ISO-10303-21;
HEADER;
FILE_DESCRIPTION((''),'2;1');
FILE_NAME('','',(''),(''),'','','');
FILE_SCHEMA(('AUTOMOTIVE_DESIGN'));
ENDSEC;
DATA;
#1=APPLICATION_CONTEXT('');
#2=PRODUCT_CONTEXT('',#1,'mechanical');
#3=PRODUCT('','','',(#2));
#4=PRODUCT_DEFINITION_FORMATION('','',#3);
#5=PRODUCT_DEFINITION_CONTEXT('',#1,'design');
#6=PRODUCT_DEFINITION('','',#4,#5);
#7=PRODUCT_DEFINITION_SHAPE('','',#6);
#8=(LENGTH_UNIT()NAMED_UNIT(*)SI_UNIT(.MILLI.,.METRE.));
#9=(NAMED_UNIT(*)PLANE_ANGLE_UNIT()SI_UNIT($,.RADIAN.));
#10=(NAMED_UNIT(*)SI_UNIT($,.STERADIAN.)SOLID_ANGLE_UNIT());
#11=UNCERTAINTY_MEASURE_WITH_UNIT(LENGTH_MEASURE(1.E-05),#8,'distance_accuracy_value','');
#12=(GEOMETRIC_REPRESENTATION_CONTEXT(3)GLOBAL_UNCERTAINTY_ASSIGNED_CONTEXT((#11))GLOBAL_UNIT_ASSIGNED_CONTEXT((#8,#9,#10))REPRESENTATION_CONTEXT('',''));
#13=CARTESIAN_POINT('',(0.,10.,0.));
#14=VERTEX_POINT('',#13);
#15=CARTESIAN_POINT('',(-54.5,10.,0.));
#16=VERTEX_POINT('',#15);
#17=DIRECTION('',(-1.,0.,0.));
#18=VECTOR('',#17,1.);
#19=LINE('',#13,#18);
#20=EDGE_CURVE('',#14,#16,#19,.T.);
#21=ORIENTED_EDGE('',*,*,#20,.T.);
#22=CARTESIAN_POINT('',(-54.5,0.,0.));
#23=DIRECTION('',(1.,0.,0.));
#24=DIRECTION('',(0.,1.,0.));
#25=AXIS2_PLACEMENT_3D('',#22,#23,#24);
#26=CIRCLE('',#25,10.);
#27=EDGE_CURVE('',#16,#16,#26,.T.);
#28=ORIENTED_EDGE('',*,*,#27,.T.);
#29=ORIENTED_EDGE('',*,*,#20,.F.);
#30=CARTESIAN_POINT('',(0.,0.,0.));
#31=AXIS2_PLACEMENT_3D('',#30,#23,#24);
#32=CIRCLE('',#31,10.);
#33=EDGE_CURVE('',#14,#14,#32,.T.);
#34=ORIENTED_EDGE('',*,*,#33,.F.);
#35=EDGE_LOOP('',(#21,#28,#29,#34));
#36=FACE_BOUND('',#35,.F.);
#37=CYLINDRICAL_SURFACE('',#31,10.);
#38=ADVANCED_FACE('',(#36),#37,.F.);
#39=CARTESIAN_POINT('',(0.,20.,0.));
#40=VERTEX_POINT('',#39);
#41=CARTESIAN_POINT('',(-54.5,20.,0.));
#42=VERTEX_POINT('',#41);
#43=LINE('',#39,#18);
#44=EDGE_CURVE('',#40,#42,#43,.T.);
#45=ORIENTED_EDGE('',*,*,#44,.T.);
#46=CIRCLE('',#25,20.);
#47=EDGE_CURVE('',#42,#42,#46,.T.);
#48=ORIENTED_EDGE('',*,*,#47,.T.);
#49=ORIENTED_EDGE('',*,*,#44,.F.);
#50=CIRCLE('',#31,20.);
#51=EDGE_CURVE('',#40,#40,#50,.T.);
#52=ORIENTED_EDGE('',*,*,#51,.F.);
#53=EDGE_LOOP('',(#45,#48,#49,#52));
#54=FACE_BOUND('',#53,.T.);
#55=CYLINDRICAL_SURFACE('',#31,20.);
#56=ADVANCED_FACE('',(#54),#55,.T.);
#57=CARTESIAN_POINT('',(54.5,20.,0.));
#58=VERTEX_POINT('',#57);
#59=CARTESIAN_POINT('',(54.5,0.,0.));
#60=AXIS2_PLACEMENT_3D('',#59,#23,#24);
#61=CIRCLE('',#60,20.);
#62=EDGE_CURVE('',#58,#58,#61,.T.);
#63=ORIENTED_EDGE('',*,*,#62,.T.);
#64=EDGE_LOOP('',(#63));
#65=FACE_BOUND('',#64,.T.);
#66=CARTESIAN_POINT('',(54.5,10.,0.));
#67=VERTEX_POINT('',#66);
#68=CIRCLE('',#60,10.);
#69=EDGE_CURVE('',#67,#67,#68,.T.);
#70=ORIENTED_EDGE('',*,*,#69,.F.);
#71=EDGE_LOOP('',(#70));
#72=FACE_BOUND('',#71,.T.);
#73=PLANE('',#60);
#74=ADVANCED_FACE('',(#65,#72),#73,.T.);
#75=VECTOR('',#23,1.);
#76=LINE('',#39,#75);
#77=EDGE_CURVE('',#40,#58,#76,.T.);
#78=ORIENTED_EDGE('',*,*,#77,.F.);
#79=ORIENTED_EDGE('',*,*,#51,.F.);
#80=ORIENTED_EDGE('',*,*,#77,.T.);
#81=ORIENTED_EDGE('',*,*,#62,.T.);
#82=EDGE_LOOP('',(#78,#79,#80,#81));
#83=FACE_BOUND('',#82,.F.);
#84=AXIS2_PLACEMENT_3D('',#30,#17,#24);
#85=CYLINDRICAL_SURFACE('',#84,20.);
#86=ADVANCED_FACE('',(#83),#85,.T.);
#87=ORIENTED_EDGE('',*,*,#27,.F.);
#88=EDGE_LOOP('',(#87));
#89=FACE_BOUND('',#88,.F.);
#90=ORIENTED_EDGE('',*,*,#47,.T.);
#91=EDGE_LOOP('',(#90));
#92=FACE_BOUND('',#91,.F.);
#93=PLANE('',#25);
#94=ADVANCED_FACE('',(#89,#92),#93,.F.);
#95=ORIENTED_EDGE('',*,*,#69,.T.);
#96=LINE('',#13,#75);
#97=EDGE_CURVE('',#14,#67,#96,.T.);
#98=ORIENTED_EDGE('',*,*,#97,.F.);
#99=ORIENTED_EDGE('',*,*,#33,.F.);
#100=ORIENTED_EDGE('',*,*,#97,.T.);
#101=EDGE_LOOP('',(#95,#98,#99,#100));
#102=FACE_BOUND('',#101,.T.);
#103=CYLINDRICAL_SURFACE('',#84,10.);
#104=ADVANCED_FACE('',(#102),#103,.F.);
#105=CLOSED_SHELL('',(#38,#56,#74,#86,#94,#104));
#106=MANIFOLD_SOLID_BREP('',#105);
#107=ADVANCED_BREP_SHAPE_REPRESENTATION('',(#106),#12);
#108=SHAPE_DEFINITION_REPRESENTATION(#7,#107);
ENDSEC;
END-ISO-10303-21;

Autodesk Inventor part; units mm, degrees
ref_plane "YZ Plane" through (0, 0, 0) normal (1, 0, 0) x (0, 1, 0)
ref_plane "XZ Plane" through (0, 0, 0) normal (0, 1, 0) x (-1, 0, 0)
ref_plane "XY Plane" through (0, 0, 0) normal (0, 0, 1) x (1, 0, 0)
sketch "SK_Durchmesser" plane through (0, 0, 0) normal (1, 0, 0) x (0, 1, 0)
  circle A0 centre (0, 0) radius 10
  circle A1 centre (0, 0) radius 20
  dimension "d2" = 20
  dimension "d4" = 40
extrude "Extrusion2" add sketch "SK_Durchmesser" along normal mid plane 109
equation "\"d2\" = Innendurchmesser"
equation "\"d4\" = Außendurchmesser"
equation "\"Außendurchmesser\" = 40"
equation "\"Innendurchmesser\" = 20"
properties part number "Rolle" material "Polylactide (schwarz)"
